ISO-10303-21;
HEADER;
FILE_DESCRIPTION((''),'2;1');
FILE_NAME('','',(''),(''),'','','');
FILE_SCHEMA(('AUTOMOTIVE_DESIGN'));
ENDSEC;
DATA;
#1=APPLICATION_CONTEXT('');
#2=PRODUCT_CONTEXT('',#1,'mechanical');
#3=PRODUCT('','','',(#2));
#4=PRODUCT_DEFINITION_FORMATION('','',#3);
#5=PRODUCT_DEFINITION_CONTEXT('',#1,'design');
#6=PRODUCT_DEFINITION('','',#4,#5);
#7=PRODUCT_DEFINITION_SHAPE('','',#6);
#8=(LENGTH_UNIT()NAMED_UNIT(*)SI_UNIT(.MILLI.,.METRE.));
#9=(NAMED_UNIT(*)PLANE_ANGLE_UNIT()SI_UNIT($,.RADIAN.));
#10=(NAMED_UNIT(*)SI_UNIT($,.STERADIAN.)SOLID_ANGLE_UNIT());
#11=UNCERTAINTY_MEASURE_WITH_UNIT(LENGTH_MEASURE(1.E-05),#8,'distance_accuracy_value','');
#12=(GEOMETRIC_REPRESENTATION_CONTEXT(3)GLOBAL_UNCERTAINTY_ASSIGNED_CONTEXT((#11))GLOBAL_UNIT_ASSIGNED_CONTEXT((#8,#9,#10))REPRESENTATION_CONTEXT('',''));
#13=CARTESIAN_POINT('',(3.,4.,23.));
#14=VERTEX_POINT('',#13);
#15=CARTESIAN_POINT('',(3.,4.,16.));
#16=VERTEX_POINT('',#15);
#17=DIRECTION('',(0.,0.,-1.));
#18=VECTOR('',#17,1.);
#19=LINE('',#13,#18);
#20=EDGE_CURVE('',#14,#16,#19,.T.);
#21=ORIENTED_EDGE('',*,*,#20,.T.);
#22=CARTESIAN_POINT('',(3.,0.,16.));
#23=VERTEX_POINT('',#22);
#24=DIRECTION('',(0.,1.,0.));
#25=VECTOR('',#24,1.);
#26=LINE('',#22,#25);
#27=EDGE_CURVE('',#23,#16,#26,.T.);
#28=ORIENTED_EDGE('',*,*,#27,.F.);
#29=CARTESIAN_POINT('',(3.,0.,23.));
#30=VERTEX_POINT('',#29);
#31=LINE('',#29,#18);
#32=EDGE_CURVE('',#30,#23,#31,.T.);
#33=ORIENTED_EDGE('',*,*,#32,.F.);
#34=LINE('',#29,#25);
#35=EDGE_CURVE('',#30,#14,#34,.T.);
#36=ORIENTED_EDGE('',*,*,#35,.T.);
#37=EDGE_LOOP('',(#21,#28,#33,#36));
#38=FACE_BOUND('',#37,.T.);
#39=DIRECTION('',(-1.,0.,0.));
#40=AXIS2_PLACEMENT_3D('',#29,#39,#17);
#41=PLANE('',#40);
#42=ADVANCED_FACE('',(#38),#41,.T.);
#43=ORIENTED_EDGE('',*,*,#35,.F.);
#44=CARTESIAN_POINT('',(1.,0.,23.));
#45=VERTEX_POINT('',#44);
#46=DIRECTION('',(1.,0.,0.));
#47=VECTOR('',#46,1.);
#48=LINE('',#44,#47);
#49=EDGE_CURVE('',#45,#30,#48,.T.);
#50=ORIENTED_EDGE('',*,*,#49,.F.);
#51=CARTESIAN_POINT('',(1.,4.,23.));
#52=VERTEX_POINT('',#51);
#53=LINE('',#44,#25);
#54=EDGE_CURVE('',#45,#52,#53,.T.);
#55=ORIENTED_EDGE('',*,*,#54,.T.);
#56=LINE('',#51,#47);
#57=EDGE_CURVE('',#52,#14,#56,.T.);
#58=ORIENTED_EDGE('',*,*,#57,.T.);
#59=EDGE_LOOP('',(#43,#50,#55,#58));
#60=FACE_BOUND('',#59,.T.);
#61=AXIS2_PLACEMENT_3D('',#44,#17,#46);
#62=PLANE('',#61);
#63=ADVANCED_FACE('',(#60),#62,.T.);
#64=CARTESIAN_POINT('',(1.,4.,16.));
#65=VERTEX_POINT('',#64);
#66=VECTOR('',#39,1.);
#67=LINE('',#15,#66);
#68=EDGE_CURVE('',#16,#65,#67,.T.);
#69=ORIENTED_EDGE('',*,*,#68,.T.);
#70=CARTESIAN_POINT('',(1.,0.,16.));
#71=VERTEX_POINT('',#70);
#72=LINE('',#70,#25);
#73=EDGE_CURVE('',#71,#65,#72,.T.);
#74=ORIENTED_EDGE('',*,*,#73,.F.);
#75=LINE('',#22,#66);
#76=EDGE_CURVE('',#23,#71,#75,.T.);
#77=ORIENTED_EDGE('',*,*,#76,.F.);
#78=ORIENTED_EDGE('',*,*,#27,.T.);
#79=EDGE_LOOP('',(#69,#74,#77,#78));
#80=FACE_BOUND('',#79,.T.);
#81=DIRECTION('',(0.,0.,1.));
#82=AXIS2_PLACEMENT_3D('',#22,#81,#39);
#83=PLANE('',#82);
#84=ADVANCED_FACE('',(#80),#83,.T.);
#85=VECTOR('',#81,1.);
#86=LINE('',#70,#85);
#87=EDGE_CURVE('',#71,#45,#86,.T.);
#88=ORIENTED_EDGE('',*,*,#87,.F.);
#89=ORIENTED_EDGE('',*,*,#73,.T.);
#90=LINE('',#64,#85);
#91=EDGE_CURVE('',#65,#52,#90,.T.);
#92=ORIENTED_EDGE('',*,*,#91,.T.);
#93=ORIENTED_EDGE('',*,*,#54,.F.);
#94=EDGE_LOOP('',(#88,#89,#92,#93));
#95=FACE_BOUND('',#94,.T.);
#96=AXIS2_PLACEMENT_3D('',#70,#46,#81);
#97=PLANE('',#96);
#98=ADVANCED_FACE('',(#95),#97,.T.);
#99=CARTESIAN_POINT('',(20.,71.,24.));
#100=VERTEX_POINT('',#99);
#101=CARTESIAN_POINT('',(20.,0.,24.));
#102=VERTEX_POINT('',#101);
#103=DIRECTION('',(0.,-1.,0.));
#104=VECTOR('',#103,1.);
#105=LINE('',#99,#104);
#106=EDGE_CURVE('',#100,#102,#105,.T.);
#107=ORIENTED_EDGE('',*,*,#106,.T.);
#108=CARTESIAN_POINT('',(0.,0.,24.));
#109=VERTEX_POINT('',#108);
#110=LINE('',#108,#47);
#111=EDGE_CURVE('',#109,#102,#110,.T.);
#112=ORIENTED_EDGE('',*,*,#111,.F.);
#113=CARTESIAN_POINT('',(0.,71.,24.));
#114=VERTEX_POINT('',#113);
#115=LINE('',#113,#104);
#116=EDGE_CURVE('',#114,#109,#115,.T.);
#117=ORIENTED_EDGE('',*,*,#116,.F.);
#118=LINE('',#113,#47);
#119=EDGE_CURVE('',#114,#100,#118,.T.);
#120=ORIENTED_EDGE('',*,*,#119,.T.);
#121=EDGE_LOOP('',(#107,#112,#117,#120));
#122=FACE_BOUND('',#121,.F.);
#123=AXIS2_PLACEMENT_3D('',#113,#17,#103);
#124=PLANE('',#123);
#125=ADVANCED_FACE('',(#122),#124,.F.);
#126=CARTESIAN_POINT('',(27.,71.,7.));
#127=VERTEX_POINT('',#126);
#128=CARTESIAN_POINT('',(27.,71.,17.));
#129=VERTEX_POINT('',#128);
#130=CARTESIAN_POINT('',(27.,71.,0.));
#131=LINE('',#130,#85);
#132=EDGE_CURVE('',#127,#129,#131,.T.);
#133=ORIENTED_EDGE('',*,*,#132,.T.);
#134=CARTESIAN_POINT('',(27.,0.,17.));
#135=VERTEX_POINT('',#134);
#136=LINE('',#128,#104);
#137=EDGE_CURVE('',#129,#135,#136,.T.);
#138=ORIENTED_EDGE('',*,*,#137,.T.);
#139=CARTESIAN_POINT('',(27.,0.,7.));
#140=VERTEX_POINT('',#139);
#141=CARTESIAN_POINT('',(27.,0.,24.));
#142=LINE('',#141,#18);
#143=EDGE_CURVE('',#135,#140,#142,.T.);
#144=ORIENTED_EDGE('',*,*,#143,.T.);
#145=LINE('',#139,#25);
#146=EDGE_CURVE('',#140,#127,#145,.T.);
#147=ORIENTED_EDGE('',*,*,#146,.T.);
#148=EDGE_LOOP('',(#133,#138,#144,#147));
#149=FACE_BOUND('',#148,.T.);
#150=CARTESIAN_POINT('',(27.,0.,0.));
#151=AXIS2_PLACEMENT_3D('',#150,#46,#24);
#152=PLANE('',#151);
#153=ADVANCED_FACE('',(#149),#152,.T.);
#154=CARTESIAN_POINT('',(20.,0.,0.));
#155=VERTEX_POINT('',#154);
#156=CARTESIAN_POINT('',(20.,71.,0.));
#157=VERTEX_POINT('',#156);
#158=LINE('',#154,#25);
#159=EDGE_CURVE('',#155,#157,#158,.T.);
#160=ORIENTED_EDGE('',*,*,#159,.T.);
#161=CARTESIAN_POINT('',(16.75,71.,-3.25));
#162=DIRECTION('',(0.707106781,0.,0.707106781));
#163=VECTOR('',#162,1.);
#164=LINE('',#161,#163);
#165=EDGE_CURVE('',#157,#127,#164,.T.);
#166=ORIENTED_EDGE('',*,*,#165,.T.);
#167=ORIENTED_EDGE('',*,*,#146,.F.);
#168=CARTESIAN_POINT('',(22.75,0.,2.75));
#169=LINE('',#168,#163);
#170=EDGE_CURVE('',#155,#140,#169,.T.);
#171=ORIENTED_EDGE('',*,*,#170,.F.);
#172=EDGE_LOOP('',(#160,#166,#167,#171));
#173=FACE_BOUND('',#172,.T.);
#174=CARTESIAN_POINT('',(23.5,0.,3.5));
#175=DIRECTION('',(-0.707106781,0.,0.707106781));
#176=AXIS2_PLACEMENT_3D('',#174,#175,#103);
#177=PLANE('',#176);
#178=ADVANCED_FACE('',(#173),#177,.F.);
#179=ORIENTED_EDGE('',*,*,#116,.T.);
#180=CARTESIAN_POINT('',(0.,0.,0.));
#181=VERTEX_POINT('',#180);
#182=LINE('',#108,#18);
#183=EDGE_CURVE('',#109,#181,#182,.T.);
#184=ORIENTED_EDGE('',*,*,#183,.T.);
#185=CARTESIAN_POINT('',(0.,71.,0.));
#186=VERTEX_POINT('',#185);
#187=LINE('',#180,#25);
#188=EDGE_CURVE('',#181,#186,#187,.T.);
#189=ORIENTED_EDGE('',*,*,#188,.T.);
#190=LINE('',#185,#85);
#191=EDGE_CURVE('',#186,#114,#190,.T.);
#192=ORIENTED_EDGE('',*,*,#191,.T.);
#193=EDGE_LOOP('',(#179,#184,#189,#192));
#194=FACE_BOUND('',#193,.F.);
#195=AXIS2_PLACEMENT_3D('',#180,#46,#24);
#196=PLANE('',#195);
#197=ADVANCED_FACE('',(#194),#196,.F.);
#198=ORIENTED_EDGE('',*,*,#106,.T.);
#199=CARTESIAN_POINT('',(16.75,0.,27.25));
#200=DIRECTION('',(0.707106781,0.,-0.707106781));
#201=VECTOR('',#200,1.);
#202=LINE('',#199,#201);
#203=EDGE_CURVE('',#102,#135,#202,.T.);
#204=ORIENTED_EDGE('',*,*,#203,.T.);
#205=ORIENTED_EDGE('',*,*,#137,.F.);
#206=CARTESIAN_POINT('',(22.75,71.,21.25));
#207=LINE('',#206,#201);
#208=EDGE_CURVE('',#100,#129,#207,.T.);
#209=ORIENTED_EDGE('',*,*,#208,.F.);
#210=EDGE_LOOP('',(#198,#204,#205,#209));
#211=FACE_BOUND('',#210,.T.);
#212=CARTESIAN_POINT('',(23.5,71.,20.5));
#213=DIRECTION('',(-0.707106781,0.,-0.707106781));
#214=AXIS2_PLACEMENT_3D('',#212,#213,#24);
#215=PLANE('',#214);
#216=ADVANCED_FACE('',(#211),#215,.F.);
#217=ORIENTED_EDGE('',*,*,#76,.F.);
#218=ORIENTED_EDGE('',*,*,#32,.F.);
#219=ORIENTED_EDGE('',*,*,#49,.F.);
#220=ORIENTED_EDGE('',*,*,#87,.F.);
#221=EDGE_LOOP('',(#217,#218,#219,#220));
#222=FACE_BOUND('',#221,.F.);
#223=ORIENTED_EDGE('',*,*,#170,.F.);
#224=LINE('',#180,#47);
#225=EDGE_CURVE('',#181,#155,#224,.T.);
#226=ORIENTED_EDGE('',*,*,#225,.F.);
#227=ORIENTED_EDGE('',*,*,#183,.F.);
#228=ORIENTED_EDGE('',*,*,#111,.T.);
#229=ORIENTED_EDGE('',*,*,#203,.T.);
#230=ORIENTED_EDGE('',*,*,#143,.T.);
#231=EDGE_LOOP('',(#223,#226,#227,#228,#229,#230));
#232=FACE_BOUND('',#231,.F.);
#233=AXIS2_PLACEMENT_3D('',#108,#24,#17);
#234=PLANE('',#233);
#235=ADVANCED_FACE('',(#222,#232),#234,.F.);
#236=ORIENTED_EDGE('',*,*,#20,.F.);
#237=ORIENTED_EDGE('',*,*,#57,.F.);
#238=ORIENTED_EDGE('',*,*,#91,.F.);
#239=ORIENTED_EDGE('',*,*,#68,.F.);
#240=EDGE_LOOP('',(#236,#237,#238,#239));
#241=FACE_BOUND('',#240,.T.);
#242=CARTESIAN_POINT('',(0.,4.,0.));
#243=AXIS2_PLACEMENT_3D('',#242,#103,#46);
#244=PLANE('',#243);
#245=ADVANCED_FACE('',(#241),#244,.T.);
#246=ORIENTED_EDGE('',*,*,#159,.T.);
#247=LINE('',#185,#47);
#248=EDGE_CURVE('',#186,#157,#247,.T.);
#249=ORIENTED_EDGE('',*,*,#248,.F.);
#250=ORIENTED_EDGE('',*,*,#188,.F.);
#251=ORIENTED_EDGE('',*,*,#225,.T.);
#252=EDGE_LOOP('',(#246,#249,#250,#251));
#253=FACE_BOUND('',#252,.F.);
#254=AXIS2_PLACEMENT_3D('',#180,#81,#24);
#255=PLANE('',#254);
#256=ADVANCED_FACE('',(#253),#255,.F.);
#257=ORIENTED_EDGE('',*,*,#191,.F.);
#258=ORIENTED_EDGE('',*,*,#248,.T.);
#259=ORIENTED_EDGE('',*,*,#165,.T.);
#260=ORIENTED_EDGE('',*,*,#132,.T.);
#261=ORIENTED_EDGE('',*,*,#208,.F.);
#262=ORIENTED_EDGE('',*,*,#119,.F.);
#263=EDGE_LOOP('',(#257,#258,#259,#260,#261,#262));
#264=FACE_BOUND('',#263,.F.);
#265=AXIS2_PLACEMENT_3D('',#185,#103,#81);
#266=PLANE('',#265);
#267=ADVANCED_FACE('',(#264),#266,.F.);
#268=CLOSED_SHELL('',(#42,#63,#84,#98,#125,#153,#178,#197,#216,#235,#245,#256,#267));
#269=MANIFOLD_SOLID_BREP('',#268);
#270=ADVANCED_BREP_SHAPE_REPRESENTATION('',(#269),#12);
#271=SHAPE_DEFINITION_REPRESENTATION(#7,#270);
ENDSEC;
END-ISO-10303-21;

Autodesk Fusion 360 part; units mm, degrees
sketch "Sketch1" plane through (0, 0, 0) normal (1, 0, 0) x (0, 1, 0) in component "RobotisBatt"
  line L0 (0, 0) -> (71, 0)
  line L1 (71, 0) -> (71, 24)
  line L2 (71, 24) -> (0, 24)
  line L3 (0, 24) -> (0, 0)
  dimension "d1" = 71
  dimension "d2" = 24
extrude "Extrude1" add sketch "Sketch1" along normal blind 27 in component "RobotisBatt"
chamfer "Chamfer1" distance 7 angle 45 2 edges at (27, 35.5, 24) (27, 35.5, 0) in component "RobotisBatt"
sketch "Sketch2" plane through (0, 0, 0) normal (0, -1, 0) x (1, 0, 0) in component "RobotisBatt"
  line L0 (20, 0) -> (27, 7)
  line L1 (27, 7) -> (27, 17)
  line L2 (27, 17) -> (20, 24)
  line L3 (20, 24) -> (0, 24)
  line L4 (0, 24) -> (0, 0)
  line L5 (0, 0) -> (20, 0)
  line L6 (1, 23) -> (3, 23)
  line L7 (3, 23) -> (3, 16)
  line L8 (3, 16) -> (1, 16)
  line L9 (1, 16) -> (1, 23)
extrude "Extrude2" cut sketch "Sketch2" against normal blind 4 contours L6 L7 L8 L9 in component "RobotisBatt"
component "RobotisBatt" placed x (1, 0, 0) y (0, 1, 0) z (0, 0, 1) at (0, 0, 0)
